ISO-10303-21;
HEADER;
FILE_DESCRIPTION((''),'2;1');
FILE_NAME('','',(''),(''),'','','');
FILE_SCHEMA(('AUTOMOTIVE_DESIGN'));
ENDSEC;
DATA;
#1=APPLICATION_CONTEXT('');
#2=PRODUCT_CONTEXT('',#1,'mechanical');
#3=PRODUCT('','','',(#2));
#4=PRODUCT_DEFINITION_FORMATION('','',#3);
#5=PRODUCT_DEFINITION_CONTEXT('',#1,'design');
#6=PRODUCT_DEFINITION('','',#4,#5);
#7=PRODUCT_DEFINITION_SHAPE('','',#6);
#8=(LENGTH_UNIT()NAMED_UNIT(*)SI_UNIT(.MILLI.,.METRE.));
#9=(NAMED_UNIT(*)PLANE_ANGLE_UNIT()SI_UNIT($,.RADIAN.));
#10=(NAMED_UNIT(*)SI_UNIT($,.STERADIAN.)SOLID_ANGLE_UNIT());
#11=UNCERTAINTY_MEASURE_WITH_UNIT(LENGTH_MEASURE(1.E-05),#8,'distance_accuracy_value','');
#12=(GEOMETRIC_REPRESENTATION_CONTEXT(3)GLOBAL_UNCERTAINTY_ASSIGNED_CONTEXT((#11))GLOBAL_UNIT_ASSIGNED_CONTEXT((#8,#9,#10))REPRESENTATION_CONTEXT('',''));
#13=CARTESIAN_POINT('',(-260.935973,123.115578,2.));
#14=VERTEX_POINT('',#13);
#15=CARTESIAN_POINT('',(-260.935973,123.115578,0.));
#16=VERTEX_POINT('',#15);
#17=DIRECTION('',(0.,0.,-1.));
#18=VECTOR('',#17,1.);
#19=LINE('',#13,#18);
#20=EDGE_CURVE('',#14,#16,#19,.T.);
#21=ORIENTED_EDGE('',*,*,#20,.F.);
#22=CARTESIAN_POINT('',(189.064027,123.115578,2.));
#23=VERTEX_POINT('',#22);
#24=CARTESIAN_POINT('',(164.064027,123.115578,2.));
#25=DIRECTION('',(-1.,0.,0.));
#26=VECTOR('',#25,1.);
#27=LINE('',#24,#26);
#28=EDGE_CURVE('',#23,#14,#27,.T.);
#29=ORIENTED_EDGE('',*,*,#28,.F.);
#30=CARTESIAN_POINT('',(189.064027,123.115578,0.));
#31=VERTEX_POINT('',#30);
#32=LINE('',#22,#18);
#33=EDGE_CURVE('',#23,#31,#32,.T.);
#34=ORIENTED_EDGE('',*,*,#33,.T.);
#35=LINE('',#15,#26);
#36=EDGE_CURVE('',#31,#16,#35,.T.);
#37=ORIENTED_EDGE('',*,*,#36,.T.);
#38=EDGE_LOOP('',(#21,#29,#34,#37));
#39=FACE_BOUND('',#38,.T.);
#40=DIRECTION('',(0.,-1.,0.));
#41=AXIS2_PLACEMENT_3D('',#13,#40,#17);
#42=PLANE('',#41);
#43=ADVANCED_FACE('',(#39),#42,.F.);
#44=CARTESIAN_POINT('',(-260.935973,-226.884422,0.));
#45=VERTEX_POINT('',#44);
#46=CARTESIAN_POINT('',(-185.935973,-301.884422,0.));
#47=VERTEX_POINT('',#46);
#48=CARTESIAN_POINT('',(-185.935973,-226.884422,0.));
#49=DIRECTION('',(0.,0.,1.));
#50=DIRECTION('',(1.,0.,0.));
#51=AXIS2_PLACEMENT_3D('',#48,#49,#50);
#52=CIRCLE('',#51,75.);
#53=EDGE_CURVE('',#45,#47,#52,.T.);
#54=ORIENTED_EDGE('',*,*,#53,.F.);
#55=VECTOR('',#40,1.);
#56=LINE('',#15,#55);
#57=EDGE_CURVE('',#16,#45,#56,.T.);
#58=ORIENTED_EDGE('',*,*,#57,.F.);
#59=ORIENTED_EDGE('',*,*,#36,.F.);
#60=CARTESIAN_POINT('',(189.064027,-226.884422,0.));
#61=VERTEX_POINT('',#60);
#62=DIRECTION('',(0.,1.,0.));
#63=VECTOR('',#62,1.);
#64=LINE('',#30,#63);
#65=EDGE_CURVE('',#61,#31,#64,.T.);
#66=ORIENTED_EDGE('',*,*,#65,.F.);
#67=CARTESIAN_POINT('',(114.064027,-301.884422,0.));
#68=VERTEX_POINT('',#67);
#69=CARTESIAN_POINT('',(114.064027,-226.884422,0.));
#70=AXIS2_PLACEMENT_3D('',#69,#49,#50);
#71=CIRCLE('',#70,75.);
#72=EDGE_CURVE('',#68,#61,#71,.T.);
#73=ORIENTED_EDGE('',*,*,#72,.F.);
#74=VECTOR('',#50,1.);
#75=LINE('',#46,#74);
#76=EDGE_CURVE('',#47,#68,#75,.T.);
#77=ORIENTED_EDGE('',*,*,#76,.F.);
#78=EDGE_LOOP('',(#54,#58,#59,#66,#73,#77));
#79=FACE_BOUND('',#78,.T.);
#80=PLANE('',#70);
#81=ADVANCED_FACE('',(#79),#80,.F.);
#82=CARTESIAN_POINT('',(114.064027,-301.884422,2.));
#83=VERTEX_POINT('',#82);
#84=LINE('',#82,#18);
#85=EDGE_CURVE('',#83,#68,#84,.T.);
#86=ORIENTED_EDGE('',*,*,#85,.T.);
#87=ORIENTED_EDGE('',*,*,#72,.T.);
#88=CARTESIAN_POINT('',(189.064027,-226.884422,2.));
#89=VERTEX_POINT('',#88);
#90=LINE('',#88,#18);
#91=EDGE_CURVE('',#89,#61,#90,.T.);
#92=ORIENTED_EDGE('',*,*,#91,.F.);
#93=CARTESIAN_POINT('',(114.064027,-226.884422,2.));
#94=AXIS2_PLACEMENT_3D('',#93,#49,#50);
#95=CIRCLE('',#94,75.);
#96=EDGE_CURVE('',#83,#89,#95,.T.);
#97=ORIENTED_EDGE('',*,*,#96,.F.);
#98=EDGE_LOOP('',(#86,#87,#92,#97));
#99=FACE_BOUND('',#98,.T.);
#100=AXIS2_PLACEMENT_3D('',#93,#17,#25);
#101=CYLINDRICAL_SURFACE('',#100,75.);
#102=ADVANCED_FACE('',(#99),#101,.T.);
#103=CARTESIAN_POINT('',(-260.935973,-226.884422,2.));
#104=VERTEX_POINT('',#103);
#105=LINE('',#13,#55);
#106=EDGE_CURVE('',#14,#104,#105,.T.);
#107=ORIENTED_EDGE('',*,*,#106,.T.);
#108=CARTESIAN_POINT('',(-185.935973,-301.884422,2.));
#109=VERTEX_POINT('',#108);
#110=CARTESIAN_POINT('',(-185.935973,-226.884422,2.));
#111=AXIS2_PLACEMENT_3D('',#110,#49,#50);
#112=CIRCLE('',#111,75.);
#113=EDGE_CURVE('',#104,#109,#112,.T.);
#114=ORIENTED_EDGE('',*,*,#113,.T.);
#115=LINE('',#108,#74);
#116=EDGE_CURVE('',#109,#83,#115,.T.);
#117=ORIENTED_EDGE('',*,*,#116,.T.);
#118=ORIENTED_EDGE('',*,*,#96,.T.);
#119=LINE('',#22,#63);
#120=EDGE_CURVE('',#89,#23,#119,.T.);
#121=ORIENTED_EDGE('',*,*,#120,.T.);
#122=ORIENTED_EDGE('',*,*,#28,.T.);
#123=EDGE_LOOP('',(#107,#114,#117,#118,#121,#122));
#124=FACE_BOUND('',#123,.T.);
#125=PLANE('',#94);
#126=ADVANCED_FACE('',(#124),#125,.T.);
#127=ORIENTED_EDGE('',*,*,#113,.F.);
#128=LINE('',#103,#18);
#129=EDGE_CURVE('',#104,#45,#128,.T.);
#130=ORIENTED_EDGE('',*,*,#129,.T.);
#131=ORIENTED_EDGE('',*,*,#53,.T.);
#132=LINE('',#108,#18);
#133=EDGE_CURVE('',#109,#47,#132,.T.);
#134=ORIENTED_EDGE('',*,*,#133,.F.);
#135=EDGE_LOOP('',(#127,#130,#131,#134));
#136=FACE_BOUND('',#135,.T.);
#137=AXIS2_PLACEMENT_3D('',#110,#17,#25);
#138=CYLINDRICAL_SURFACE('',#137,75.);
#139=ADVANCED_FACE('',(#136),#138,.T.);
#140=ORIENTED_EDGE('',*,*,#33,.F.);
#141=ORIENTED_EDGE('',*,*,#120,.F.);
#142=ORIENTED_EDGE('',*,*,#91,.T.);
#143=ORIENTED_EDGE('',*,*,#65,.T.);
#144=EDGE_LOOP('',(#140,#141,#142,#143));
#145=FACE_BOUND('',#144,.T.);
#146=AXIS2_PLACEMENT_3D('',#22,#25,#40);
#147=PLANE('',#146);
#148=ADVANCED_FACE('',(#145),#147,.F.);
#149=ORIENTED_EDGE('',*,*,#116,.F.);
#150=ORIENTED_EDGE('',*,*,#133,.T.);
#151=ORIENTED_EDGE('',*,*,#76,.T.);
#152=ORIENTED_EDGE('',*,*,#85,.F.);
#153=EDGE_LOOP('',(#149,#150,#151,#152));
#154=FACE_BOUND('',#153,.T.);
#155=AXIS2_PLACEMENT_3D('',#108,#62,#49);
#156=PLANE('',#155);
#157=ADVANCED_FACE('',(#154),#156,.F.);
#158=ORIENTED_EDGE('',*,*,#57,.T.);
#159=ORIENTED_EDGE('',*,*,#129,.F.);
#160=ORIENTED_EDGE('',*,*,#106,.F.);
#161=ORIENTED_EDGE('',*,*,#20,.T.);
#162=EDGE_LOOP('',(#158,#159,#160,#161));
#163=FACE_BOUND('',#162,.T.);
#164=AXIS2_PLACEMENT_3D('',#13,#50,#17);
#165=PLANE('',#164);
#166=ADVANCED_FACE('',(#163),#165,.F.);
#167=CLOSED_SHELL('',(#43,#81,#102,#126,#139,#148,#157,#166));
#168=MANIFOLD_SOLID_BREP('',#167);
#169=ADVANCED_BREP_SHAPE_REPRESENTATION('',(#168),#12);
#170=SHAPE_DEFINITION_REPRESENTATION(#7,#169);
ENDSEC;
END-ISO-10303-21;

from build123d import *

# Parameters (mm, degrees)
EXTRUDE_2_DEPTH = 2


with BuildPart() as part:
    # Эскиз1 → Бобышка-Вытянуть2 (new body)
    with BuildSketch(Plane.XY):
        with BuildLine():
            Line((-260.93597277, 123.115577889), (-260.93597277, -226.884422111))
            ThreePointArc((-260.93597277, -226.884422111), (-238.968981359, -279.9174307), (-185.93597277, -301.884422111))
            Line((-185.93597277, -301.884422111), (114.06402723, -301.884422111))
            ThreePointArc((114.06402723, -301.884422111), (167.097035819, -279.9174307), (189.06402723, -226.884422111))
            Line((189.06402723, -226.884422111), (189.06402723, 123.115577889))
            Line((189.06402723, 123.115577889), (164.06402723, 123.115577889))
            Line((164.06402723, 123.115577889), (-260.93597277, 123.115577889))
        make_face()
    extrude(amount=EXTRUDE_2_DEPTH)


solid = part.part
